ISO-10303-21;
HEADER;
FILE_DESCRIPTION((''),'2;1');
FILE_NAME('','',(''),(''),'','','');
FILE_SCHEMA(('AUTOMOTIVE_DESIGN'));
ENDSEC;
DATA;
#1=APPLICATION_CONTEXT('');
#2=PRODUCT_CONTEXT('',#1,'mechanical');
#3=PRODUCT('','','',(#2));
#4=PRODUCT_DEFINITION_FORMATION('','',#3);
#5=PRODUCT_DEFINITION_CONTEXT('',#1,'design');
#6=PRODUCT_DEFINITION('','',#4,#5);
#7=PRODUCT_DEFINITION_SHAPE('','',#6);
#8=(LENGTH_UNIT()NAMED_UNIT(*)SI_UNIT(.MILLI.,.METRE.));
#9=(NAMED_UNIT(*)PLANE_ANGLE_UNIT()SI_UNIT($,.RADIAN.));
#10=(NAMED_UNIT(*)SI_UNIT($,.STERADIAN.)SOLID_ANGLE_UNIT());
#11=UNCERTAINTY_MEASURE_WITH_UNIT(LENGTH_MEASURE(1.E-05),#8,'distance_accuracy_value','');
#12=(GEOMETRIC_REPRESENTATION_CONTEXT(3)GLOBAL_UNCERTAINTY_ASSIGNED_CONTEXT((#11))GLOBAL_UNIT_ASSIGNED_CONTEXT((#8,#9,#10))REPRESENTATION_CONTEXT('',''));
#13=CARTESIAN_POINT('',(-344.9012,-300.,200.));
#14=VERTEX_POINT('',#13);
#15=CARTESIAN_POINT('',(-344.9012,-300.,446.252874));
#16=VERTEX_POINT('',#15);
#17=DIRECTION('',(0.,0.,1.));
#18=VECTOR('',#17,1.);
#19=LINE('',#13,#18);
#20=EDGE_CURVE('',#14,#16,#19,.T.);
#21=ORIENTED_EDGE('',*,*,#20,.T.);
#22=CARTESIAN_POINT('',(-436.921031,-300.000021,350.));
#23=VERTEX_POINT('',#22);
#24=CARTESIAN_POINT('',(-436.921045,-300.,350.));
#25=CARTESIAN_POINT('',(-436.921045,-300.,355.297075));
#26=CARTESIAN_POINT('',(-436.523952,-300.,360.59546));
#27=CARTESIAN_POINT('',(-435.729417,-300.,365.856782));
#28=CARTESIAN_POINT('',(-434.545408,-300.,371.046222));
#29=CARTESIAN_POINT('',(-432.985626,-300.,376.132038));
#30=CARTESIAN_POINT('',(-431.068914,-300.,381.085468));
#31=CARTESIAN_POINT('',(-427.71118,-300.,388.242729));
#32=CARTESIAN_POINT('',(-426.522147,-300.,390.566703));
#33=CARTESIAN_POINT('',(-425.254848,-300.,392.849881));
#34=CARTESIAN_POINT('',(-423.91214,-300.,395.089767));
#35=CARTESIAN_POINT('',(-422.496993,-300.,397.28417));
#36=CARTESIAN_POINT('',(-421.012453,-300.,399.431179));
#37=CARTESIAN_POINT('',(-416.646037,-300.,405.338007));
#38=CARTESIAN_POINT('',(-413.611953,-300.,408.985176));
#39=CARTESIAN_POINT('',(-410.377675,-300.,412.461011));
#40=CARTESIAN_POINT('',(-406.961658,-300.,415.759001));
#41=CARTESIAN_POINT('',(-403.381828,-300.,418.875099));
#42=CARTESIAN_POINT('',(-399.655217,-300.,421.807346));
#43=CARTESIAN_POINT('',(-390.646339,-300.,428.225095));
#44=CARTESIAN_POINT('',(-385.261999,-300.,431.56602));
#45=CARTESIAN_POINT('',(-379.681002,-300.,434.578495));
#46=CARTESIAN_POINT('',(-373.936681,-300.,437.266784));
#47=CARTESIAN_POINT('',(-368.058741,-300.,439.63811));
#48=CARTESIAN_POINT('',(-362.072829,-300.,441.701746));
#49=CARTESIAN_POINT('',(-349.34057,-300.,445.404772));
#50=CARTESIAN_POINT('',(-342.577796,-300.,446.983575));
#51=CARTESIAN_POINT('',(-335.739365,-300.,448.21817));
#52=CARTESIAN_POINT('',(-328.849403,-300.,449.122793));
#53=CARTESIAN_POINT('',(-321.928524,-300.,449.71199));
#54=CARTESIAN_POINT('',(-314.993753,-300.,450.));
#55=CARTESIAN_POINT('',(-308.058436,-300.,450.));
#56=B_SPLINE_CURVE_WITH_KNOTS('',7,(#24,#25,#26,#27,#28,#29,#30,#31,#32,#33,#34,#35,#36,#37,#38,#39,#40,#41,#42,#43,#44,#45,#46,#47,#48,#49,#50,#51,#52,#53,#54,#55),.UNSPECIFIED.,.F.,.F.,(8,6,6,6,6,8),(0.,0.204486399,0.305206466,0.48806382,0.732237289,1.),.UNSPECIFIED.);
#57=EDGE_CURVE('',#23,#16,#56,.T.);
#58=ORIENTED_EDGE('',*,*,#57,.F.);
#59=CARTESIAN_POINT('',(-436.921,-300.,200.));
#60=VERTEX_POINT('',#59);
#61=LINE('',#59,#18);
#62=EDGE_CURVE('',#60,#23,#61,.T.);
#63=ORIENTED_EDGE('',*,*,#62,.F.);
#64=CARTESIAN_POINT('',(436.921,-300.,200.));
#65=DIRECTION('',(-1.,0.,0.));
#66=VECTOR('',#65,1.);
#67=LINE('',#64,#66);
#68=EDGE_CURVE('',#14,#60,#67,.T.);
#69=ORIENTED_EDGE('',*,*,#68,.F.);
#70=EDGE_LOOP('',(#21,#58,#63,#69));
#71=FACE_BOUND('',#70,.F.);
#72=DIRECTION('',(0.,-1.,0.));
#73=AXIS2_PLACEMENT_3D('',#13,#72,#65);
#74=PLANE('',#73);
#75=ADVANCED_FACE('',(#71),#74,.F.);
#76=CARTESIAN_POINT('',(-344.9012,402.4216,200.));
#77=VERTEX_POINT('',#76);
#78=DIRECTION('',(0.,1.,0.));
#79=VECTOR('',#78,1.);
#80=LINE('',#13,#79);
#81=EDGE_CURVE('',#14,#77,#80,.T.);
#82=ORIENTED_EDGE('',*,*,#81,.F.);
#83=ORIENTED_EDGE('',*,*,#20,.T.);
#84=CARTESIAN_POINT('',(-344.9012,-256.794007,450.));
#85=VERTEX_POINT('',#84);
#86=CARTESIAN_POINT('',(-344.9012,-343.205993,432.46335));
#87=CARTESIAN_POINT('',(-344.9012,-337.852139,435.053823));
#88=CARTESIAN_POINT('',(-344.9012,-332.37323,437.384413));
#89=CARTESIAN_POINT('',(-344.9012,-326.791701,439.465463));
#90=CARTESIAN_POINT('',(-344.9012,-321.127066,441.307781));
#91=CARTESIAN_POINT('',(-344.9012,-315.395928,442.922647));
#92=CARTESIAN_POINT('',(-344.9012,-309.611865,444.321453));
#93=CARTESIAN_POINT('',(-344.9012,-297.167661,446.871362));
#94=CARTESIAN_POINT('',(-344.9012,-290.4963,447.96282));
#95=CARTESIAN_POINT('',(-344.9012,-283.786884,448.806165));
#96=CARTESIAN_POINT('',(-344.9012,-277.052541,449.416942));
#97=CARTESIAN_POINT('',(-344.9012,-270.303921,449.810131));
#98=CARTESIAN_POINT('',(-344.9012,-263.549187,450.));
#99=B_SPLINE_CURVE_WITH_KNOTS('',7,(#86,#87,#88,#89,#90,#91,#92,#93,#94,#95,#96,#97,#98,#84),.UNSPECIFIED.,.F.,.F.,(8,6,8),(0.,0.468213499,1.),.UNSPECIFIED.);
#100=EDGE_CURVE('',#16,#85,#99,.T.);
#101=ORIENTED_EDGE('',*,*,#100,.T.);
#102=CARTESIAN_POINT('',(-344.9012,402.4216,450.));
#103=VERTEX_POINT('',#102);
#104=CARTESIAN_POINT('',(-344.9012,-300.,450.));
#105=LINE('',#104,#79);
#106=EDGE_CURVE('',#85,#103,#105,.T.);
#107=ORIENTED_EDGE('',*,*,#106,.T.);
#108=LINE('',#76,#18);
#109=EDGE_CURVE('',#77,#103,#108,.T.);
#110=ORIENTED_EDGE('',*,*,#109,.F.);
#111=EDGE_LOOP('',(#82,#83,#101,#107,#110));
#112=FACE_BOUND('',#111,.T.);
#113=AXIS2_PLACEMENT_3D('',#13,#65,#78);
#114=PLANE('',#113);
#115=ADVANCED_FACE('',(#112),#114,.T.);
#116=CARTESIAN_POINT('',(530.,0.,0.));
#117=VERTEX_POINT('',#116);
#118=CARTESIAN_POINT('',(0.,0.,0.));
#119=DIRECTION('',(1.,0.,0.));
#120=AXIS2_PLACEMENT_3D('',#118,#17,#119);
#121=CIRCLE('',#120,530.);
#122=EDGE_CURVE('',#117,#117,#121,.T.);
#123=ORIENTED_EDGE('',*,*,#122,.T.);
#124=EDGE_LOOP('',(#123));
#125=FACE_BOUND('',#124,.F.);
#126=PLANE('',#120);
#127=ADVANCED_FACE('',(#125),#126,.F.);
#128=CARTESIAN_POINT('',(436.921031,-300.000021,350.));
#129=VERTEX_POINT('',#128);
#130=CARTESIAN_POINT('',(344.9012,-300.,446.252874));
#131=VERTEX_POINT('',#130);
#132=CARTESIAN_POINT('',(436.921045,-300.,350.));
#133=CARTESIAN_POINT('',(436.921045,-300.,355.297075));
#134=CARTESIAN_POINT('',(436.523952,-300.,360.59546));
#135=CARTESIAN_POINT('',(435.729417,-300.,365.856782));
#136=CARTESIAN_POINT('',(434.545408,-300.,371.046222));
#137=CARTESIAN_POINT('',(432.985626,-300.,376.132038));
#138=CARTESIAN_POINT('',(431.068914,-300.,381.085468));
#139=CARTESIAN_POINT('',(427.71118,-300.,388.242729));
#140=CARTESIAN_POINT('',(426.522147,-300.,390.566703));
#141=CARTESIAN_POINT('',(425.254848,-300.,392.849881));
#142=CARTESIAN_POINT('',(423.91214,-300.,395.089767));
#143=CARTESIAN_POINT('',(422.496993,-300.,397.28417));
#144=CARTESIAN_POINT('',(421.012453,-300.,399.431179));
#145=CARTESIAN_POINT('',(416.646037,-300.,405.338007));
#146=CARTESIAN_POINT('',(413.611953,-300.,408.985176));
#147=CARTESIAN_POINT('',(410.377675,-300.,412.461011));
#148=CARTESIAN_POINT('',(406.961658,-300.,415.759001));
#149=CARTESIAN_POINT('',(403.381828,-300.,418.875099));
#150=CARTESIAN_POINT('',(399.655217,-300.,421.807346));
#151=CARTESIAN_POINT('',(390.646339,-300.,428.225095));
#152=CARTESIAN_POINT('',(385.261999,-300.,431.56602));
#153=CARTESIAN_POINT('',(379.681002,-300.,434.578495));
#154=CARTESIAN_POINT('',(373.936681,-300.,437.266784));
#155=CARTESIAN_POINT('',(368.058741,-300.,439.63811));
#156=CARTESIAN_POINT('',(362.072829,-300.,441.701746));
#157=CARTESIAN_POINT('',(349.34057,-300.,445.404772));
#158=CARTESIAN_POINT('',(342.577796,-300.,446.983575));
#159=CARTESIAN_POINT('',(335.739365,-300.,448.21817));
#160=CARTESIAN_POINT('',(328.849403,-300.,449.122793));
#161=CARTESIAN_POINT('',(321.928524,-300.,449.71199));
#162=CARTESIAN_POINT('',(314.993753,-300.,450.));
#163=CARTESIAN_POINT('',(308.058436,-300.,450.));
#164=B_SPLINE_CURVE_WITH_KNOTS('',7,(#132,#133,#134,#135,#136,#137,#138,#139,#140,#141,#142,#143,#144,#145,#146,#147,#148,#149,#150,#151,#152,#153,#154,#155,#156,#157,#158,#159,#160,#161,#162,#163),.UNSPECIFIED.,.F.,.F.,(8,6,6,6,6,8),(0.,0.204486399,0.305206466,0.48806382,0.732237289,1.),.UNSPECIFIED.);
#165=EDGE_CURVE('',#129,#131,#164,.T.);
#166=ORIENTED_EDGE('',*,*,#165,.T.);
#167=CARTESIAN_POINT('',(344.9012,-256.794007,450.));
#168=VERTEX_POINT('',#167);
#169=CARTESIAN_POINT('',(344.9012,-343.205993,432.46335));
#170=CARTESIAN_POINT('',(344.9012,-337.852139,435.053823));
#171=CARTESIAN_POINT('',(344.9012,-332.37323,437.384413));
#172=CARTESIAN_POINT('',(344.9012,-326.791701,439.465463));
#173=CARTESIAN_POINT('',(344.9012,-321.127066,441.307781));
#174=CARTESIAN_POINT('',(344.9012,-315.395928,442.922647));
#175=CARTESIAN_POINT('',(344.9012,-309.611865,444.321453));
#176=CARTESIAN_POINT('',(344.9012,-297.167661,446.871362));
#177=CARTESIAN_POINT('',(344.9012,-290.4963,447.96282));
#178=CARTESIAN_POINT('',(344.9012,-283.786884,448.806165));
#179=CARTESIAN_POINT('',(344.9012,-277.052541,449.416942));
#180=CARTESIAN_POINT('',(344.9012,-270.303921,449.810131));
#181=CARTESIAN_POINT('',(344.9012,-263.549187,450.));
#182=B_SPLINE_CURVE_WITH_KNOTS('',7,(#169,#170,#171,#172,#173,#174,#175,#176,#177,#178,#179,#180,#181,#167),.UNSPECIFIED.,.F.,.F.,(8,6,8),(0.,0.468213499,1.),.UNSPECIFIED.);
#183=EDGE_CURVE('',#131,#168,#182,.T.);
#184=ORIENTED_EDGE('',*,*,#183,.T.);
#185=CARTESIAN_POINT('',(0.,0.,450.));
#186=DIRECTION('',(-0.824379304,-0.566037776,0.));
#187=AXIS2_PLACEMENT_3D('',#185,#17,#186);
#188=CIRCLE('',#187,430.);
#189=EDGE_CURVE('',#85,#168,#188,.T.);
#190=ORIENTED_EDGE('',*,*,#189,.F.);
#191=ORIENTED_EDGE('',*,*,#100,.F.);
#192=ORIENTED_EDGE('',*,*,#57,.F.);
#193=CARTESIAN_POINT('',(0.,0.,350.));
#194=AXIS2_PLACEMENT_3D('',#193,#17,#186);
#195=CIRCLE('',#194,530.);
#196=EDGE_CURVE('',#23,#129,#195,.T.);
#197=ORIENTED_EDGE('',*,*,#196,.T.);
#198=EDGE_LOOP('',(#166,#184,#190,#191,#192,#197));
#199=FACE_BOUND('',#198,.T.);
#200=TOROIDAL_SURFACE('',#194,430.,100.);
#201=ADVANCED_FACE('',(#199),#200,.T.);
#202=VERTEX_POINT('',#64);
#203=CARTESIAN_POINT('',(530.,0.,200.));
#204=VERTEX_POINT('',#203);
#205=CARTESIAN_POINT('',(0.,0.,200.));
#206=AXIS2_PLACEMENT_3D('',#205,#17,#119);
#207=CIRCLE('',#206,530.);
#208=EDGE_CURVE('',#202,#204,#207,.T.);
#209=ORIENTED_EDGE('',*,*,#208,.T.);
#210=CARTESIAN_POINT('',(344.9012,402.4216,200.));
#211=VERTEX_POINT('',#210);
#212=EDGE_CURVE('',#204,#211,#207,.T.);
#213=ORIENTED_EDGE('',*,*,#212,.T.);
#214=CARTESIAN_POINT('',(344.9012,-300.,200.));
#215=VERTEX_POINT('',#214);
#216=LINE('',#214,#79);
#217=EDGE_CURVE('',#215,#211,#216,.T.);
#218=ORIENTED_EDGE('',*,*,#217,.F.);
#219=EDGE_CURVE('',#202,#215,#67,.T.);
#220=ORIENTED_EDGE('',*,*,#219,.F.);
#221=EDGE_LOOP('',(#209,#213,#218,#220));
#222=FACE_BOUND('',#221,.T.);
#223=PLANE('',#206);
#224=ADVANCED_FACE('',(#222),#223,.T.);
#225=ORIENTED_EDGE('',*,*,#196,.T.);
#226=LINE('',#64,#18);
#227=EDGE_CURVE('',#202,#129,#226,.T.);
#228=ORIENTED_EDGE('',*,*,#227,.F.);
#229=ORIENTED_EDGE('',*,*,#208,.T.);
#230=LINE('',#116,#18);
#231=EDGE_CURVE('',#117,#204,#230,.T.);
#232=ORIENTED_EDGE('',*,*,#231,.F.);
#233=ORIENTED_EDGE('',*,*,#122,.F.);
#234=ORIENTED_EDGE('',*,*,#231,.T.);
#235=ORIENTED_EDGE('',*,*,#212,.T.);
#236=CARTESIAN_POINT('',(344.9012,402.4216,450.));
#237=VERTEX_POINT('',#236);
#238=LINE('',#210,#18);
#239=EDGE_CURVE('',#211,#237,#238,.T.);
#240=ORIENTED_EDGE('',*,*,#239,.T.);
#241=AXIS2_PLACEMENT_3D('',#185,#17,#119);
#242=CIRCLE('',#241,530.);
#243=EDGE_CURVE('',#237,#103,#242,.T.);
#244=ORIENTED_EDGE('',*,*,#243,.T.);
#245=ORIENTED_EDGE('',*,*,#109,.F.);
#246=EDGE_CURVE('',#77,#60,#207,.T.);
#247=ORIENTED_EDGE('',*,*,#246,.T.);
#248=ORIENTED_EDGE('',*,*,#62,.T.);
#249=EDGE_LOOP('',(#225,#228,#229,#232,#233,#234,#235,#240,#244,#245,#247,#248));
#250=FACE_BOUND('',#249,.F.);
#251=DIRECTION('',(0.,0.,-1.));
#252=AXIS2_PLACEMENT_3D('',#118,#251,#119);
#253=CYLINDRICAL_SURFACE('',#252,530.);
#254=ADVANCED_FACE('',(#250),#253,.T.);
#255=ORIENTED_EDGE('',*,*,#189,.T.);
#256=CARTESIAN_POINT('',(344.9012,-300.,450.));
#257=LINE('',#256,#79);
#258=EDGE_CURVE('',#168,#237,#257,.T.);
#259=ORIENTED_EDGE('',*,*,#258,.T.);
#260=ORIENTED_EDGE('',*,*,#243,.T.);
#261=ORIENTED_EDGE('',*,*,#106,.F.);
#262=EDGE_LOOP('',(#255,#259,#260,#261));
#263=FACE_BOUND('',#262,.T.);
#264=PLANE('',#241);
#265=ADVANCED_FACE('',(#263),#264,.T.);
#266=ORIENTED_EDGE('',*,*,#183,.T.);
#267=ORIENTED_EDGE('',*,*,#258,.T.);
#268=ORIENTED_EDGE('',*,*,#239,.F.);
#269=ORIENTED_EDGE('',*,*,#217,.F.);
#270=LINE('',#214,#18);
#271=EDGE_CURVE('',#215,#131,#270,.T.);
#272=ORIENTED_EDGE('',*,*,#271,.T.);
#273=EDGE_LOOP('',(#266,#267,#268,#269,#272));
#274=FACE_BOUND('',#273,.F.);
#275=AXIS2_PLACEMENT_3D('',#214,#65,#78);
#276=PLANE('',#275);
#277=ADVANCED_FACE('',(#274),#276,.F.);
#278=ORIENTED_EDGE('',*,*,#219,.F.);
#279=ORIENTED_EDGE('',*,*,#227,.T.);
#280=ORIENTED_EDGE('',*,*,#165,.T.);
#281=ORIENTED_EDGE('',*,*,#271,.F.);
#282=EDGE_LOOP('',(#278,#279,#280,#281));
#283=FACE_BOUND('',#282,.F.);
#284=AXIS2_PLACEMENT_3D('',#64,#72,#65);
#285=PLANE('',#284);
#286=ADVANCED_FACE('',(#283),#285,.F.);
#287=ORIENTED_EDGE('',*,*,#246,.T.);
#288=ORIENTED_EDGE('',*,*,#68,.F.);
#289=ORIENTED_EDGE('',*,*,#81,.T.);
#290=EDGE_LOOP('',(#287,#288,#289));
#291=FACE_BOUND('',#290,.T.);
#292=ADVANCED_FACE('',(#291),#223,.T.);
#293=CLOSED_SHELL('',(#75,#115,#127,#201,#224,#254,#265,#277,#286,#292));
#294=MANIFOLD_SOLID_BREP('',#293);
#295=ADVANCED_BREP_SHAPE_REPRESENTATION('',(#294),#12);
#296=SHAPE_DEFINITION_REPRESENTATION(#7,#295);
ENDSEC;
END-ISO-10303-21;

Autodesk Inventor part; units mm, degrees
ref_plane "YZ Plane" through (0, 0, 0) normal (1, 0, 0) x (0, 1, 0)
ref_plane "XZ Plane" through (0, 0, 0) normal (0, 1, 0) x (-1, 0, 0)
ref_plane "XY Plane" through (0, 0, 0) normal (0, 0, 1) x (1, 0, 0)
sketch "Sketch1" plane through (0, 0, 0) normal (0, 0, 1) x (1, 0, 0)
  circle A0 centre (0, 0) radius 530
  dimension "d0" = 1060
extrude "Extrusion1" add sketch "Sketch1" along normal blind 200
sketch "Sketch2" plane through (0, 0, 200) normal (0, 0, 1) x (1, 0, 0)
  circle A0 centre (0, 0) radius 530 projected
  line L0 (0, 0) -> (0, -300) construction
  line L1 (436.921, -300) -> (-436.921, -300)
  line L2 (-344.9012, -300) -> (-344.9012, 402.4216)
  line L3 (344.9012, -300) -> (344.9012, 402.4216)
  dimension "d3" = 300
  dimension "d5" = 873.8421
  dimension "d14" = 344.9012
extrude "Extrusion2" add sketch "Sketch2" along normal blind 250 contours L3 L1 L2 A0 | A0 L1
fillet "Fillet1" radius 100 1 edges at (0, -530, 450)
equation "\"d6\" = d9"
equation "\"d9\" = 250"
properties part number "02_DoF1_Podstawa"
